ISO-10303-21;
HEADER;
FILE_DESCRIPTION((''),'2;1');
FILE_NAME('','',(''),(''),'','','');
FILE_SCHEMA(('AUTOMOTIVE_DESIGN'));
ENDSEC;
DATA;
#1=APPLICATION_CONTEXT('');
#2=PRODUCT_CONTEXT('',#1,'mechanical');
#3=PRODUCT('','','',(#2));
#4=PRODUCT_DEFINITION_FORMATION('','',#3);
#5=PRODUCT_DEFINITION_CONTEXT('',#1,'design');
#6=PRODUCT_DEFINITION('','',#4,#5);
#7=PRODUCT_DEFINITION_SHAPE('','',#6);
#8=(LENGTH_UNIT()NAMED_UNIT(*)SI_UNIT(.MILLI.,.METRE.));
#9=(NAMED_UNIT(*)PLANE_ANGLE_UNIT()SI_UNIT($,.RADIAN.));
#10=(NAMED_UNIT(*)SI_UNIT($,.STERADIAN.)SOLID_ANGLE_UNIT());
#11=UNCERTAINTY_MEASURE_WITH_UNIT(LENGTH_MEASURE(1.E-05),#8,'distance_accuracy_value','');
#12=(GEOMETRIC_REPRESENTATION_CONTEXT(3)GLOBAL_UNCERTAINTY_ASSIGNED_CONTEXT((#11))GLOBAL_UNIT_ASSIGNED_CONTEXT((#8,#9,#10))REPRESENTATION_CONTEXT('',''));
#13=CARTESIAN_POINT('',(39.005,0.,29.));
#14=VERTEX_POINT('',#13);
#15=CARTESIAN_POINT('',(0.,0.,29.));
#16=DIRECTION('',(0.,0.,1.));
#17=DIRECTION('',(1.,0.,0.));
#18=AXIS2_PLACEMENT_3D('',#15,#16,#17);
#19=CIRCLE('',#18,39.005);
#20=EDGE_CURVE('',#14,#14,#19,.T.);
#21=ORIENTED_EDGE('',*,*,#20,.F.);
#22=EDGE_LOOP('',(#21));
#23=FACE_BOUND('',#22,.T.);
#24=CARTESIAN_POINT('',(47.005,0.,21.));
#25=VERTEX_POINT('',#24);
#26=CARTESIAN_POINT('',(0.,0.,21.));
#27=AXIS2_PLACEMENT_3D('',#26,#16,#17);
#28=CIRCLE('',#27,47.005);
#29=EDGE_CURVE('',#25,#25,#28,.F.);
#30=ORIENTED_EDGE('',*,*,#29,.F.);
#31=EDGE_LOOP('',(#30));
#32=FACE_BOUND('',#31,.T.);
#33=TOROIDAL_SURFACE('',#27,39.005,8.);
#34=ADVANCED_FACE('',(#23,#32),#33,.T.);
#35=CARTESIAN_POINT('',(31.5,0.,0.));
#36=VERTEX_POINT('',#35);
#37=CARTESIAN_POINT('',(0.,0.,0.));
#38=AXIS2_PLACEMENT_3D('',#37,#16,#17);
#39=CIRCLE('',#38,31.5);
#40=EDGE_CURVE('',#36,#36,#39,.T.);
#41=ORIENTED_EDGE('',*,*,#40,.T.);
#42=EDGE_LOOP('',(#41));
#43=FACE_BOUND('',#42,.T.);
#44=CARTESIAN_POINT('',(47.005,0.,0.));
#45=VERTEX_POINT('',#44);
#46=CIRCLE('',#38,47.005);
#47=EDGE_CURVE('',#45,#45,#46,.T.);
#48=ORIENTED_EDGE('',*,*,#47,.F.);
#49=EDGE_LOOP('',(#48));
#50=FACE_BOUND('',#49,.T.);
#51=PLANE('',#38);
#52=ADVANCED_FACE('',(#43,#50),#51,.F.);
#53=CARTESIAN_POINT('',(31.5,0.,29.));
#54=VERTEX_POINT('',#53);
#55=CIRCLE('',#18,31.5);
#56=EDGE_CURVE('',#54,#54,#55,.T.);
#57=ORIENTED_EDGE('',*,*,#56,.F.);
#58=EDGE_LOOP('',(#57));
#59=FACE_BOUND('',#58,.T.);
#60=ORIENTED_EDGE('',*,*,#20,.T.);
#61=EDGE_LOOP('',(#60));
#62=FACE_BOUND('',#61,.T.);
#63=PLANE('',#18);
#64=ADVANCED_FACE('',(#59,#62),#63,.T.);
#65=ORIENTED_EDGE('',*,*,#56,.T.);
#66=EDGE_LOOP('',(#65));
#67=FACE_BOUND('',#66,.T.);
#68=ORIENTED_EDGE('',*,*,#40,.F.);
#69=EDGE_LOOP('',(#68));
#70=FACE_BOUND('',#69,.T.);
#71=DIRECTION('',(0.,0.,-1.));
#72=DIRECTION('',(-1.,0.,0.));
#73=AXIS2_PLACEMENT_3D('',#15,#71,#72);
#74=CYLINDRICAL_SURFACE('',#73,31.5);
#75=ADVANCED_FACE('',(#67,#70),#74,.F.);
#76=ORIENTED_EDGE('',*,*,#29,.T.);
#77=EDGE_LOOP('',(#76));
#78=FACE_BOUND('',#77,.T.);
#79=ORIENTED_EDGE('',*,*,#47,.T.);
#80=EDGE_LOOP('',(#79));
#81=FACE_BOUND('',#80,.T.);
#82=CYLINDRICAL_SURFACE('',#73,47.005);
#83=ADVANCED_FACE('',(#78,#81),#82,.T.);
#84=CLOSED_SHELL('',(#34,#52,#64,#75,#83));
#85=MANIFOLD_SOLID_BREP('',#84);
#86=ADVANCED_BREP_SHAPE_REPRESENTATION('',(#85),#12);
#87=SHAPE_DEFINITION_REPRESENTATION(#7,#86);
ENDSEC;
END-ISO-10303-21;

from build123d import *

# Parameters (mm, degrees)
SKETCH1_R           = 47.005
SKETCH1_R_2         = 31.5
BOSS_EXTRUDE1_DEPTH = 29
FILLET1_R           = 8


with BuildPart() as part:
    # Sketch1 → Boss-Extrude1 (new body)
    with BuildSketch(Plane.XY):
        Circle(SKETCH1_R)
        Circle(SKETCH1_R_2, mode=Mode.SUBTRACT)
    extrude(amount=BOSS_EXTRUDE1_DEPTH)

    # Fillet1
    fillet1_edges = [part.edges().sort_by_distance(p)[0] for p in [
        (-47.005, 0, 29),
    ]]
    fillet(fillet1_edges, radius=FILLET1_R)


solid = part.part
